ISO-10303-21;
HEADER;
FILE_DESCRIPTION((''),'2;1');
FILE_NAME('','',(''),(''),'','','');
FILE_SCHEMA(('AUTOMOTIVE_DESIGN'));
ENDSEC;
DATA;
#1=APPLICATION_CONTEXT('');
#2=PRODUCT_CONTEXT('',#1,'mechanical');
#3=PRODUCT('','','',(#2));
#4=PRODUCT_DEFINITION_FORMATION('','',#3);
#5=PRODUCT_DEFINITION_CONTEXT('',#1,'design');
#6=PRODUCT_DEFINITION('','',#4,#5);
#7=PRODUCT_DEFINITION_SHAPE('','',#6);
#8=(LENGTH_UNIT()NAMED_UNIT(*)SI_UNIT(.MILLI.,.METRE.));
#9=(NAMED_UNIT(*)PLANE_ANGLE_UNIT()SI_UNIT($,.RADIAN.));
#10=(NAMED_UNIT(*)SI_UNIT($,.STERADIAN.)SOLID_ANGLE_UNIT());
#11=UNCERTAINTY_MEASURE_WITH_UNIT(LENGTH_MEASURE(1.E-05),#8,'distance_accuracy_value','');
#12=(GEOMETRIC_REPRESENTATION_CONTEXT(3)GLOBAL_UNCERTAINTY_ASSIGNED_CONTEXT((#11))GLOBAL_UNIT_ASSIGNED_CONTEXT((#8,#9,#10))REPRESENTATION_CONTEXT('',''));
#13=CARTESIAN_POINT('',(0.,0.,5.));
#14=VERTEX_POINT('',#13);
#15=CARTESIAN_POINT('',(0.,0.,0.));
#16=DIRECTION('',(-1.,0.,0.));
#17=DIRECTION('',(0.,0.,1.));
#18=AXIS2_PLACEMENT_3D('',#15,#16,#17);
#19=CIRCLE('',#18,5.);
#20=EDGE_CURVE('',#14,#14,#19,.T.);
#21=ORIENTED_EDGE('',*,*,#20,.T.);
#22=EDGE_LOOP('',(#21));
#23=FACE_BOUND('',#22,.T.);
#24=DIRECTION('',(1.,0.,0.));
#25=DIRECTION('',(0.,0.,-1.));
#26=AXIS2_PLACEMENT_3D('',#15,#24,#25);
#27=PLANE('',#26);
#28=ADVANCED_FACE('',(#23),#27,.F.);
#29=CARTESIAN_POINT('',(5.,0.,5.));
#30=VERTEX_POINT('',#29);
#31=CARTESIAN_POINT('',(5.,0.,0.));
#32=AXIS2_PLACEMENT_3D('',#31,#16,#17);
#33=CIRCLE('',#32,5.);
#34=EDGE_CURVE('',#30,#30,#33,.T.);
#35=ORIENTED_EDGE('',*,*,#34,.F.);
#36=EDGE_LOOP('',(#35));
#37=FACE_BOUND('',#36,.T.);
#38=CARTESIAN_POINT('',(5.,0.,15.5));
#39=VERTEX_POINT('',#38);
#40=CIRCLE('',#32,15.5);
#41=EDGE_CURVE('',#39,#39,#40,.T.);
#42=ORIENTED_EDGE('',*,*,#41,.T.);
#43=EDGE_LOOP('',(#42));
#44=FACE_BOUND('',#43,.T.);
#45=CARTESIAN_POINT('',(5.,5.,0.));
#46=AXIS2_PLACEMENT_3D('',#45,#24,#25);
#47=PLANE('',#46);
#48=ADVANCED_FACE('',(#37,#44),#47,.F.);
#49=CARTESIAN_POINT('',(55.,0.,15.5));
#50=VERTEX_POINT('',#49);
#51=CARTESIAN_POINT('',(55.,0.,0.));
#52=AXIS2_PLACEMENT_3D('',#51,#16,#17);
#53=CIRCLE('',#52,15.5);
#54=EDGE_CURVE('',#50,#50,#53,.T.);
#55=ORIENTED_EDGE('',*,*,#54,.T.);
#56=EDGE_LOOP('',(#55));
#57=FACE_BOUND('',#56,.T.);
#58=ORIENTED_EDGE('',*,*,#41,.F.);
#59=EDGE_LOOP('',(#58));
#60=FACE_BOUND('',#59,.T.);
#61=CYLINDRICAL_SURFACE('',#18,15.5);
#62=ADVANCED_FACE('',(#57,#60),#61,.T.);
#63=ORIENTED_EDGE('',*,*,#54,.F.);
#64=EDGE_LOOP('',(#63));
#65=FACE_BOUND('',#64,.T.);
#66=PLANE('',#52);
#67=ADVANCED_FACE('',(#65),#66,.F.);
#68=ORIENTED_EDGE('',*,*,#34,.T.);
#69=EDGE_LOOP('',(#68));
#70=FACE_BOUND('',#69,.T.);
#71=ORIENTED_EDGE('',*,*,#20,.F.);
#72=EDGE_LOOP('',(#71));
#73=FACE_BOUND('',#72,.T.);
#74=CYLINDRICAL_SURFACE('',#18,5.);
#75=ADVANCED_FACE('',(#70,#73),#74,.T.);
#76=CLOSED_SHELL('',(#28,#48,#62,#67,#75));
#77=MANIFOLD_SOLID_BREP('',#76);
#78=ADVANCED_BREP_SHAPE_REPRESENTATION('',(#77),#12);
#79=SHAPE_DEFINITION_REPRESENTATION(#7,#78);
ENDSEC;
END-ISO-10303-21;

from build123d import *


with BuildPart() as part:
    # Sketch1 → Revolve1 (revolve)
    with BuildSketch(Plane.XY, mode=Mode.PRIVATE) as revolve1_sk:
        Polygon((0, 0), (55, 0), (55, 15.5), (5, 15.5), (5, 5), (0, 5), align=None)
    revolve(revolve1_sk.sketch.rotate(Axis((0, 0, 0), (1, 0, 0)), 90), axis=Axis((0, 0, 0), (1, 0, 0)))


solid = part.part
